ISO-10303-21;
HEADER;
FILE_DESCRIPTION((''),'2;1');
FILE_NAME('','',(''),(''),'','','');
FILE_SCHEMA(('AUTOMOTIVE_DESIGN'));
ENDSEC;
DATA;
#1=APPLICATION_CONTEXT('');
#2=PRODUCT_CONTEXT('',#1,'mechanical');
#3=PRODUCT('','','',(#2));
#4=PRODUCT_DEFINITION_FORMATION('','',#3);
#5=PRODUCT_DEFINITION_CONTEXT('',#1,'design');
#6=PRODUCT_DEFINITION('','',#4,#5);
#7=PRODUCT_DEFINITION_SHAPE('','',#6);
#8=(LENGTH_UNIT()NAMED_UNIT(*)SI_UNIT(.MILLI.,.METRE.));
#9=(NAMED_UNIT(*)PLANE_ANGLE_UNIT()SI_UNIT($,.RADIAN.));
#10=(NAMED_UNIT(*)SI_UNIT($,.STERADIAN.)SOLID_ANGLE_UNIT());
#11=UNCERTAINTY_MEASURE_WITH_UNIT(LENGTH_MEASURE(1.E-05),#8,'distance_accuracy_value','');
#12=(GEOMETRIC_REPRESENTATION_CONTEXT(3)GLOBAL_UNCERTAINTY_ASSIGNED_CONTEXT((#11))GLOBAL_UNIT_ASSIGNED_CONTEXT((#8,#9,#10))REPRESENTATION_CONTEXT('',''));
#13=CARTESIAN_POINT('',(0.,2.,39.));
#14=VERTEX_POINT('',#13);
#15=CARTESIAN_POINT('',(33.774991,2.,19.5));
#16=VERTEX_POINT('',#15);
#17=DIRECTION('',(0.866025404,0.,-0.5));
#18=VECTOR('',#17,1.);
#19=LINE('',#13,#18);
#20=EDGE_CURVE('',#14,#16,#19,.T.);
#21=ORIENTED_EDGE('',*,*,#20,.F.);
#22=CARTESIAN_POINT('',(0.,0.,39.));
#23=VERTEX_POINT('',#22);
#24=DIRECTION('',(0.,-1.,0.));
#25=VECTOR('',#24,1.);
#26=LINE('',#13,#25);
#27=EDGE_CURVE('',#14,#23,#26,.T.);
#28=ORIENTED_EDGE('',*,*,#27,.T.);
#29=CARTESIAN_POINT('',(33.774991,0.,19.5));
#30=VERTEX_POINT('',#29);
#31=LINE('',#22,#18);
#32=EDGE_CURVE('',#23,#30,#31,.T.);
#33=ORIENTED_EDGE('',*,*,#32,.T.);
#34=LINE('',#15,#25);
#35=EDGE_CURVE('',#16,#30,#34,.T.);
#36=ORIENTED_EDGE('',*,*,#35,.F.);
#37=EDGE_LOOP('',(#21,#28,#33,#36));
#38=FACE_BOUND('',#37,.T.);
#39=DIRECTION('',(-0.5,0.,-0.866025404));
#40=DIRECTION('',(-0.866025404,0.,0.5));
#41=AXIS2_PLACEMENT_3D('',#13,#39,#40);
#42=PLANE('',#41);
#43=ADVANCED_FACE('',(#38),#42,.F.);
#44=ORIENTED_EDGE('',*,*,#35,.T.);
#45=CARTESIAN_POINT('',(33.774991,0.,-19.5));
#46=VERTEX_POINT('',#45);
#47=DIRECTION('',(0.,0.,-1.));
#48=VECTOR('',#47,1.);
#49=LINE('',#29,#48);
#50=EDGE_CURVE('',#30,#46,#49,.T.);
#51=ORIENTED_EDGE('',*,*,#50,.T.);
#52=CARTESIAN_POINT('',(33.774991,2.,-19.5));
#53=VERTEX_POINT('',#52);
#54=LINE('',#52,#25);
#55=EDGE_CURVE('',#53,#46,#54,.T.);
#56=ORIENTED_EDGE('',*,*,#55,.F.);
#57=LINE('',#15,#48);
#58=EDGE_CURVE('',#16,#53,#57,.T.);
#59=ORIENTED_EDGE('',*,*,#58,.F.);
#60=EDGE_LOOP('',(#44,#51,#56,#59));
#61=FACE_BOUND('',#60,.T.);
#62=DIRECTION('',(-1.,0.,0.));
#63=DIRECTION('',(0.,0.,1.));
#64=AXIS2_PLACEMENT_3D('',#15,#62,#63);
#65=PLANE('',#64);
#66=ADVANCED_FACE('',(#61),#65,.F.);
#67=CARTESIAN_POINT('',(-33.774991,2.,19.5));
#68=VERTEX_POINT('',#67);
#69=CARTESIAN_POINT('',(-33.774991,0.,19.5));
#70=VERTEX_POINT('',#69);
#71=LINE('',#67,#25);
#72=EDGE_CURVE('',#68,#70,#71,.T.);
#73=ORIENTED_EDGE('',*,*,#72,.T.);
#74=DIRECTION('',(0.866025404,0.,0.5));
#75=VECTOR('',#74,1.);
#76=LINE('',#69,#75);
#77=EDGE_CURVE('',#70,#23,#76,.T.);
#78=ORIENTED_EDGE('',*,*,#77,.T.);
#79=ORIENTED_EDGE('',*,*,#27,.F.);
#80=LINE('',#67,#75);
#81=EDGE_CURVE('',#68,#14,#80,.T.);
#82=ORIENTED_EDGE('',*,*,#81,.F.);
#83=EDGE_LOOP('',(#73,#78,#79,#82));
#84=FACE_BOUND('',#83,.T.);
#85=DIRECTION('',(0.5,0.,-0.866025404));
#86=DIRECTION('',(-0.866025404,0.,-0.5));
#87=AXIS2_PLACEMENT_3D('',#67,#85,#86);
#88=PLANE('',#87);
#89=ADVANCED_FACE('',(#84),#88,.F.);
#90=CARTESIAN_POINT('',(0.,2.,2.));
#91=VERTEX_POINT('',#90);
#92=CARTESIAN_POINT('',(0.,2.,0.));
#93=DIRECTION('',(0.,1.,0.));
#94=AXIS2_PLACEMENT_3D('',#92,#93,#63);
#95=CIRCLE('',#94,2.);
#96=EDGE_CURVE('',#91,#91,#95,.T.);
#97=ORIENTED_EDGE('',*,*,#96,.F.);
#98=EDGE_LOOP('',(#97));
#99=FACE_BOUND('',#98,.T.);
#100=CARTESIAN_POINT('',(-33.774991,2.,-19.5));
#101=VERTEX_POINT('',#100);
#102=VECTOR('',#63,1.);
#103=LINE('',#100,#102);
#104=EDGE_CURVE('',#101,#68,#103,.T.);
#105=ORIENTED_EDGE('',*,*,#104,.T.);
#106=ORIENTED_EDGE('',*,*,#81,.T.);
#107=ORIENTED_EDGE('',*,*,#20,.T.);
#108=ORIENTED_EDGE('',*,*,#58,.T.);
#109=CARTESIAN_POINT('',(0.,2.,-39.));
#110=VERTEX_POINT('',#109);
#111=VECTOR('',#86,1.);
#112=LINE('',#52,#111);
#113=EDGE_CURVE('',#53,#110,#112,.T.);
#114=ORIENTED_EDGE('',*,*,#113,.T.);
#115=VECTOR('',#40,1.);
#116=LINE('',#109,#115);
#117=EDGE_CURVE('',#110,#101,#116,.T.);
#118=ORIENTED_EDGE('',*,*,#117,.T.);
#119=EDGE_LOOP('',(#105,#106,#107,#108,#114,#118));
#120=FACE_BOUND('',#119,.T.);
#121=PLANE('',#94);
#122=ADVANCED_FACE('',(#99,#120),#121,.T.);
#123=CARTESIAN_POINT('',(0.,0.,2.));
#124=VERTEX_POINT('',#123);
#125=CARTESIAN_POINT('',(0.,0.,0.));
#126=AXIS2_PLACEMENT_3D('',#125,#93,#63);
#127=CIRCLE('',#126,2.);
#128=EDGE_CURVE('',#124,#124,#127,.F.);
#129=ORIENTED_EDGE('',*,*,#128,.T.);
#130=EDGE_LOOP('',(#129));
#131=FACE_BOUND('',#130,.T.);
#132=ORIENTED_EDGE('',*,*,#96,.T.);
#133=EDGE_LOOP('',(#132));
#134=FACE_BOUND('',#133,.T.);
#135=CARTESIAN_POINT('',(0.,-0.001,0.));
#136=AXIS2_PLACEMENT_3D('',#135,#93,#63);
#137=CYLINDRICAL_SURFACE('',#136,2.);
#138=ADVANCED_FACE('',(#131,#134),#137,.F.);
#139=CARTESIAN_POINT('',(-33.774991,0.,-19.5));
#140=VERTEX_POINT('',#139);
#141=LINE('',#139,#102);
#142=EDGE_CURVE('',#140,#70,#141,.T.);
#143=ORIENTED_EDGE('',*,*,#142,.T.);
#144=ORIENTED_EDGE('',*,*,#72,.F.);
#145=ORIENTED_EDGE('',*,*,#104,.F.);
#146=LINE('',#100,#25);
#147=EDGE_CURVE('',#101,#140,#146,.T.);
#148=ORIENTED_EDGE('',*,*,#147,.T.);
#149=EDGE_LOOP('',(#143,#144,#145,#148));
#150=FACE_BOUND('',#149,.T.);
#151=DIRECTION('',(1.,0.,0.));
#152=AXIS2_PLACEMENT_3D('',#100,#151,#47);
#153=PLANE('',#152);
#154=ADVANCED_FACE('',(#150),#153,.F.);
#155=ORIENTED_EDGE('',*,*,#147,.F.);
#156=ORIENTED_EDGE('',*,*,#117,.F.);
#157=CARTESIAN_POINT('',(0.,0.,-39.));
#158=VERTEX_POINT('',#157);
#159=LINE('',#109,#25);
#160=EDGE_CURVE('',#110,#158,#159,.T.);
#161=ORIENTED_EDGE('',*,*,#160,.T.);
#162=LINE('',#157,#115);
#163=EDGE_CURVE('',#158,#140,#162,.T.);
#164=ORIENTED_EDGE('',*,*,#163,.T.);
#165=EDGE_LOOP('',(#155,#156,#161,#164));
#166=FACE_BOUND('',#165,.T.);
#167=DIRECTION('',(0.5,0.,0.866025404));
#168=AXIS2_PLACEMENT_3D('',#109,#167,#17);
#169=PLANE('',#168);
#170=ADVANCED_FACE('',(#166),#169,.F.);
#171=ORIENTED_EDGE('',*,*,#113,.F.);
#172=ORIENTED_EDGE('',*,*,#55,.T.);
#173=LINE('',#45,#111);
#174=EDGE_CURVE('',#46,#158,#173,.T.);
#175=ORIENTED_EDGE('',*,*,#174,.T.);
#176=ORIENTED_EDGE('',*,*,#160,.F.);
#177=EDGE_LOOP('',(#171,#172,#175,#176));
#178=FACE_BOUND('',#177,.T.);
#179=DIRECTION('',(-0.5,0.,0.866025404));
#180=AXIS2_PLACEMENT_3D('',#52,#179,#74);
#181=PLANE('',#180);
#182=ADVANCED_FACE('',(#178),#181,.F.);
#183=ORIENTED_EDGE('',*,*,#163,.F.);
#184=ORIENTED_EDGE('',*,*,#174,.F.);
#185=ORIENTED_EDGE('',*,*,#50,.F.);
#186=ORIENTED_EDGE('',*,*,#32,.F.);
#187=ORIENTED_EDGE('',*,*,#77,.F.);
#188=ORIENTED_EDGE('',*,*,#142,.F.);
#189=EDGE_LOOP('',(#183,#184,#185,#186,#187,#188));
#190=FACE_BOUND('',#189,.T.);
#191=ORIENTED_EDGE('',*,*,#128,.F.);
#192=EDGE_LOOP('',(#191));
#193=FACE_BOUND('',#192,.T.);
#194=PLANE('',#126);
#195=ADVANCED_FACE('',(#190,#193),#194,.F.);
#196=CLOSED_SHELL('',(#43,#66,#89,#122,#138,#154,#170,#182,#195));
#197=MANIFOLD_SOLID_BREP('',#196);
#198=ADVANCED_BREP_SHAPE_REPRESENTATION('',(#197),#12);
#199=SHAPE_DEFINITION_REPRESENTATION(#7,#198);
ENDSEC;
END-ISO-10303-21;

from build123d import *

# Parameters (mm, degrees)
BOSS_EXTRUDE1_DEPTH = 2
CUT_EXTRUDE1_REACH  = 4
SKETCH2_R           = 2


with BuildPart() as part:
    # Sketch1 → Boss-Extrude1 (new body)
    with BuildSketch(Plane(origin=(0, 0, 0), x_dir=(1, 0, 0), z_dir=(0, 1, 0))):
        Polygon((33.774990748, 19.5), (0, 39), (-33.774990748, 19.5), (-33.774990748, -19.5), (0, -39), (33.774990748, -19.5), align=None)
    extrude(amount=BOSS_EXTRUDE1_DEPTH)

    # Sketch2 → Cut-Extrude1 (cut, up to next)
    with BuildSketch(Plane(origin=(0, 2, 0), x_dir=(1, 0, 0), z_dir=(0, 1, 0)), mode=Mode.PRIVATE) as cut_extrude1_sk1:
        Circle(SKETCH2_R)
    cut_extrude1_tool1 = extrude(cut_extrude1_sk1.sketch, amount=-CUT_EXTRUDE1_REACH, mode=Mode.PRIVATE) & part.part
    add(cut_extrude1_tool1.solids().sort_by_distance((0, 2, 0))[0], mode=Mode.SUBTRACT)


solid = part.part
